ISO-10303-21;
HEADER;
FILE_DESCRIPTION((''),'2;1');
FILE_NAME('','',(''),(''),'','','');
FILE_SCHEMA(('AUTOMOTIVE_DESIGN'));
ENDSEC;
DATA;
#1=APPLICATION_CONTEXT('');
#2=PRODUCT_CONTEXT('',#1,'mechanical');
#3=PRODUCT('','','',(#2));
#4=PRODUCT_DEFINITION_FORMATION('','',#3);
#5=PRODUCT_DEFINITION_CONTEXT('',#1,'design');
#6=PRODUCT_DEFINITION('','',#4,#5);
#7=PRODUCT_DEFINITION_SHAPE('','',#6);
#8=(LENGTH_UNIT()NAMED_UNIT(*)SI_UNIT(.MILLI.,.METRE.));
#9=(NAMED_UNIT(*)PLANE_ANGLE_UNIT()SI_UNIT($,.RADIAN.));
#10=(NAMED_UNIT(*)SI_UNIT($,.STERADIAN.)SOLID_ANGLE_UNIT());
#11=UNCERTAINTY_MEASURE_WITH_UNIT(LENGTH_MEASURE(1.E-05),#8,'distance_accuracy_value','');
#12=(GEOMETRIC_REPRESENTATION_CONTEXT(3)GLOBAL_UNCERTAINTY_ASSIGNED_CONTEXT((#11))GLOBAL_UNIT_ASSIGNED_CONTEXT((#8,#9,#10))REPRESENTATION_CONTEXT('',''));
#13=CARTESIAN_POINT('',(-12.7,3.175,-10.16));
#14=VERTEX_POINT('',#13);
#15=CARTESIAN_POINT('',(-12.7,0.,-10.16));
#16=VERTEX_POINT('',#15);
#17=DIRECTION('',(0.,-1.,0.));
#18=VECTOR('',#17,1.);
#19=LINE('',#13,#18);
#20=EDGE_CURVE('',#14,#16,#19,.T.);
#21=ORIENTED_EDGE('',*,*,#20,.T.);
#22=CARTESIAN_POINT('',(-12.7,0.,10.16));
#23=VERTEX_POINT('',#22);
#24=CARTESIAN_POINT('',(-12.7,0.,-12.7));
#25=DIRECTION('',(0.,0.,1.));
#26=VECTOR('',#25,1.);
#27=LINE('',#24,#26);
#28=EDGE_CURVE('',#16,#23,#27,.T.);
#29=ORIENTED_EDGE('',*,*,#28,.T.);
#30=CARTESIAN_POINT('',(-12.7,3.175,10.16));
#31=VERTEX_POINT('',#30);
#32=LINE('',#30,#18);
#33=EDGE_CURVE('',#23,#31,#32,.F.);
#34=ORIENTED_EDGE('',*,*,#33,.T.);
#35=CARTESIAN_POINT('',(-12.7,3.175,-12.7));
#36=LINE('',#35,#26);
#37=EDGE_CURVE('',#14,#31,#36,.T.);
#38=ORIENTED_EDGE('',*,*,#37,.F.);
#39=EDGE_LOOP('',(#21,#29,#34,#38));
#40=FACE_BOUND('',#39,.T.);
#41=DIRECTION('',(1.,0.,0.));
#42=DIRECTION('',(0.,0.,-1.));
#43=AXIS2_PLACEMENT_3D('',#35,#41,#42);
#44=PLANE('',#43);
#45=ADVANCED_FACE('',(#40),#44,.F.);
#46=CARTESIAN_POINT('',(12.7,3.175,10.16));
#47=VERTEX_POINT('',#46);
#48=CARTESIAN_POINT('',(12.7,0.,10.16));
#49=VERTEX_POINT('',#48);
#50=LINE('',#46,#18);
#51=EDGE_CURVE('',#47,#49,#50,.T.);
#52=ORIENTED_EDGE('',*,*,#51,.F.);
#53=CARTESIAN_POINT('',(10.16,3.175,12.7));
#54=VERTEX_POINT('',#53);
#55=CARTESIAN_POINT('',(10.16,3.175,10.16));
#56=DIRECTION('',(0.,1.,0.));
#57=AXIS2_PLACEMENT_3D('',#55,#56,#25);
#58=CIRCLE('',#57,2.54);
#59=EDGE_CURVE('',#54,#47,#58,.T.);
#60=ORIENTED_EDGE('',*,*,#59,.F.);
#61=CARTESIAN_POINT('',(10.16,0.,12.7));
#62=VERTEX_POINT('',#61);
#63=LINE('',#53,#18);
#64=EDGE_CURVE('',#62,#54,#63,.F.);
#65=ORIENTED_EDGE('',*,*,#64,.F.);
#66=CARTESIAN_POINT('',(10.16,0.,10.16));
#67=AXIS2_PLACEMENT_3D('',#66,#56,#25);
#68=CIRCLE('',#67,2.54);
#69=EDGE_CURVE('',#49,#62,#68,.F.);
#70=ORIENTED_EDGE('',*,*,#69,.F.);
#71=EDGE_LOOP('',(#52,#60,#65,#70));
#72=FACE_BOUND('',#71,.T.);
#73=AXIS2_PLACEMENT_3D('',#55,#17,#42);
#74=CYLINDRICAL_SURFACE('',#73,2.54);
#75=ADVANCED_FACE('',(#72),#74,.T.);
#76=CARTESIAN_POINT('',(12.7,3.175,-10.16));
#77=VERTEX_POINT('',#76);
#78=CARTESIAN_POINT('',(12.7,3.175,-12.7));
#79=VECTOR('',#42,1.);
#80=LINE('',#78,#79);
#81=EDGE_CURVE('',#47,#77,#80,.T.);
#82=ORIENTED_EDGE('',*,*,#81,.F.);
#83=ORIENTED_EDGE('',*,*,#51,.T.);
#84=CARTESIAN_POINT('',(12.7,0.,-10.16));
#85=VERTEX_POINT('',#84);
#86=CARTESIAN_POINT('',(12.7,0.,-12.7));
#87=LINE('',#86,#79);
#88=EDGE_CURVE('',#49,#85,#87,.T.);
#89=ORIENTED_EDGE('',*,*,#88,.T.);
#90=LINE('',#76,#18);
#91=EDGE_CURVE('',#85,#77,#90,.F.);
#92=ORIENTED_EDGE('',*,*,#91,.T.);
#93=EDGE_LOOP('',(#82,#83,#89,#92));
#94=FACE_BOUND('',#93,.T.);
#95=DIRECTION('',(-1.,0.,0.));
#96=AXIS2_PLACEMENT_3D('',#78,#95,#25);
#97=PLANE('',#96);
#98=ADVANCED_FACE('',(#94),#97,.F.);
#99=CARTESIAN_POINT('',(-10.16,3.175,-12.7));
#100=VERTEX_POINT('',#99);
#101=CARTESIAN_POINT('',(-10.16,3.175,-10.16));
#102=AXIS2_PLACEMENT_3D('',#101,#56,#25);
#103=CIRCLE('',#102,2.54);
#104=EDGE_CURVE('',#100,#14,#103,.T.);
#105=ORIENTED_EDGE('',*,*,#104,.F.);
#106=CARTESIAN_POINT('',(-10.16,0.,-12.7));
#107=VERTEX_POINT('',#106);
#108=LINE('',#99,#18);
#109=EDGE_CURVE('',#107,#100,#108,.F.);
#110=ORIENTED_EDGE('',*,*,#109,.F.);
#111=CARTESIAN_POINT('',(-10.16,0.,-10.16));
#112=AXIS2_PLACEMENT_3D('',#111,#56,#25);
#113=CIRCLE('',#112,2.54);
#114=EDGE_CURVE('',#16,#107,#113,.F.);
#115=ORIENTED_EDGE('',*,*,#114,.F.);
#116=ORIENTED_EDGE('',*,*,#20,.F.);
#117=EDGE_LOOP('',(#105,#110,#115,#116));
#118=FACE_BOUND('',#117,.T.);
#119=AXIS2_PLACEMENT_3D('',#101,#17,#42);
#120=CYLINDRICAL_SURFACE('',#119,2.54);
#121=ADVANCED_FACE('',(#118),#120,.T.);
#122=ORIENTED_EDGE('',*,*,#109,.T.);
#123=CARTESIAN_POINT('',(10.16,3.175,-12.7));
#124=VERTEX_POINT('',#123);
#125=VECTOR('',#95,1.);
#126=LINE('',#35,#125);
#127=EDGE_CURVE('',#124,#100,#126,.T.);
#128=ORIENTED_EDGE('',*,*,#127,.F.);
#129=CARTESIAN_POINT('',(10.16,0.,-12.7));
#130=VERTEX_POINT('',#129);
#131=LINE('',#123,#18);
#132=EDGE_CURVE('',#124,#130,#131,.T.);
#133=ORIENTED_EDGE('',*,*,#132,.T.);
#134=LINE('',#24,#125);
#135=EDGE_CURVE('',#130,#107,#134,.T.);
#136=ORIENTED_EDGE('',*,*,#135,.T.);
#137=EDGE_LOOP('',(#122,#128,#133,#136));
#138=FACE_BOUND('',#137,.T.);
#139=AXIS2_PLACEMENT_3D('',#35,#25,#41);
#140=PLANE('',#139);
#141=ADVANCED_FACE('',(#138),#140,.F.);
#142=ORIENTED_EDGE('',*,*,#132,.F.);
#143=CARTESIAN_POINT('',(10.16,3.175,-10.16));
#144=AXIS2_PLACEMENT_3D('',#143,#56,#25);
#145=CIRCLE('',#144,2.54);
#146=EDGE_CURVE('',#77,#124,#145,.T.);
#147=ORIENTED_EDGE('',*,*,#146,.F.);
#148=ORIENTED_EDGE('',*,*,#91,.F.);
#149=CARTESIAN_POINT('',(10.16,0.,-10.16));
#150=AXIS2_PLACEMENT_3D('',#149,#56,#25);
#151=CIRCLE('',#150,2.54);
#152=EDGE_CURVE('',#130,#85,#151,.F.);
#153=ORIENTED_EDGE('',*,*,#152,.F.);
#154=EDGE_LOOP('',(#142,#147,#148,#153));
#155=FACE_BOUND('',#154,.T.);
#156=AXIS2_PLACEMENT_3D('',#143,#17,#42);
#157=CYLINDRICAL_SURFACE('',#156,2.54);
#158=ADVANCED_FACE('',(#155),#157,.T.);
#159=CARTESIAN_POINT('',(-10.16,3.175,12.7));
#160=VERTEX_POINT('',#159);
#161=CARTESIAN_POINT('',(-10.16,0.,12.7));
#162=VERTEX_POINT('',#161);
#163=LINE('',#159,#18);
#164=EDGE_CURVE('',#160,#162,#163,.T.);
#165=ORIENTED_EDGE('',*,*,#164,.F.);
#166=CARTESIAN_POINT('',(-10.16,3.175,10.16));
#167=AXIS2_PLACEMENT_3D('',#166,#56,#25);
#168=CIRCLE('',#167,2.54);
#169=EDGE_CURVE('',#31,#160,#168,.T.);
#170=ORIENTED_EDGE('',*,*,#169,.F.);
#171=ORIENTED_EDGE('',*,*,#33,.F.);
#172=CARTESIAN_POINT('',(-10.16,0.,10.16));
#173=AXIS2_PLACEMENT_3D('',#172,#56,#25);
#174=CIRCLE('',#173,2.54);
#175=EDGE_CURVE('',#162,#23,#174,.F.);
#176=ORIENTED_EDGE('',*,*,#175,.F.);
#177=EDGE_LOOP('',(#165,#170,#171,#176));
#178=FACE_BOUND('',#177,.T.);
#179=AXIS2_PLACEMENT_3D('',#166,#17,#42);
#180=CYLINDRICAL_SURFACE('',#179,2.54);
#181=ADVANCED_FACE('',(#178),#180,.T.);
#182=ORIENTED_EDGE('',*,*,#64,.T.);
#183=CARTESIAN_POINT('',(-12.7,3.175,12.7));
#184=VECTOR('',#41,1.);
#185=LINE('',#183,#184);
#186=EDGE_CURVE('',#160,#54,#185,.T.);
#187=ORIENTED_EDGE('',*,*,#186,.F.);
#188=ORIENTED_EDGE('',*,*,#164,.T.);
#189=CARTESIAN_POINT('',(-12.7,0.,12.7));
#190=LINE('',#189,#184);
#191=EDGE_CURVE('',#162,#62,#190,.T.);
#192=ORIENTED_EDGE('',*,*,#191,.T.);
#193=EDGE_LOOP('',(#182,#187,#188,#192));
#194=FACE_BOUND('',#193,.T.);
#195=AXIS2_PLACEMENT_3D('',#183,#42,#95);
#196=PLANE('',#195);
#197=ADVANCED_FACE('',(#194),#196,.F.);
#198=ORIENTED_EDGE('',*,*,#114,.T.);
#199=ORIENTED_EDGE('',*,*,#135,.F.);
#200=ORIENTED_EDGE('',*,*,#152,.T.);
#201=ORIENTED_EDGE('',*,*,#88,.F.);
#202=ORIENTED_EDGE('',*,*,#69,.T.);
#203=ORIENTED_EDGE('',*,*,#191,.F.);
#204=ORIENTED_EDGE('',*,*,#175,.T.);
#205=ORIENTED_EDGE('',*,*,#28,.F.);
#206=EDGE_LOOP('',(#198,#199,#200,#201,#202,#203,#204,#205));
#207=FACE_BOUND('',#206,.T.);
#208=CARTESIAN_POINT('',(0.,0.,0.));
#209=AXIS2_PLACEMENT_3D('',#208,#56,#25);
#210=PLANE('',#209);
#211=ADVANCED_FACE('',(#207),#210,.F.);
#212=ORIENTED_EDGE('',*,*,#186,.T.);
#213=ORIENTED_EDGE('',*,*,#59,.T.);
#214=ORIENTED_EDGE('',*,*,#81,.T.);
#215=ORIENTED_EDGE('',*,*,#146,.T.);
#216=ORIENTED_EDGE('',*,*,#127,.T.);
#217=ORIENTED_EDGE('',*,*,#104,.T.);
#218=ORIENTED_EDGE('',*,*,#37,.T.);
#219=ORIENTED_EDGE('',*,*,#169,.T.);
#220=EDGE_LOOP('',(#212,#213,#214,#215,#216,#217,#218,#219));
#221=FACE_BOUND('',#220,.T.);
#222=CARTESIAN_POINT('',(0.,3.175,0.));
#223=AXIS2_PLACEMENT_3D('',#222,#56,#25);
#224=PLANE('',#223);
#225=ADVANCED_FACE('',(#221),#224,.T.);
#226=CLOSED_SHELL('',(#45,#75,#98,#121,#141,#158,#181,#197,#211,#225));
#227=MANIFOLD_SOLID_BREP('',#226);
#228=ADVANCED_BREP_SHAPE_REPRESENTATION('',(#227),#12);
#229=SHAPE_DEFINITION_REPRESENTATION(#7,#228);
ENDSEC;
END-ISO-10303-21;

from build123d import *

# Parameters (mm, degrees)
SKETCH1_W           = 25.4
SKETCH1_H           = 25.4
BOSS_EXTRUDE1_DEPTH = 3.175
FILLET1_R           = 2.54


with BuildPart() as part:
    # Sketch1 → Boss-Extrude1 (new body)
    with BuildSketch(Plane(origin=(0, 0, 0), x_dir=(1, 0, 0), z_dir=(0, 1, 0))):
        Rectangle(SKETCH1_W, SKETCH1_H)
    extrude(amount=BOSS_EXTRUDE1_DEPTH)

    # Fillet1
    fillet1_edges = [part.edges().sort_by_distance(p)[0] for p in [
        (12.7, 1.5875, 12.7),
        (-12.7, 1.5875, 12.7),
        (-12.7, 1.5875, -12.7),
        (12.7, 1.5875, -12.7),
    ]]
    fillet(fillet1_edges, radius=FILLET1_R)


solid = part.part
